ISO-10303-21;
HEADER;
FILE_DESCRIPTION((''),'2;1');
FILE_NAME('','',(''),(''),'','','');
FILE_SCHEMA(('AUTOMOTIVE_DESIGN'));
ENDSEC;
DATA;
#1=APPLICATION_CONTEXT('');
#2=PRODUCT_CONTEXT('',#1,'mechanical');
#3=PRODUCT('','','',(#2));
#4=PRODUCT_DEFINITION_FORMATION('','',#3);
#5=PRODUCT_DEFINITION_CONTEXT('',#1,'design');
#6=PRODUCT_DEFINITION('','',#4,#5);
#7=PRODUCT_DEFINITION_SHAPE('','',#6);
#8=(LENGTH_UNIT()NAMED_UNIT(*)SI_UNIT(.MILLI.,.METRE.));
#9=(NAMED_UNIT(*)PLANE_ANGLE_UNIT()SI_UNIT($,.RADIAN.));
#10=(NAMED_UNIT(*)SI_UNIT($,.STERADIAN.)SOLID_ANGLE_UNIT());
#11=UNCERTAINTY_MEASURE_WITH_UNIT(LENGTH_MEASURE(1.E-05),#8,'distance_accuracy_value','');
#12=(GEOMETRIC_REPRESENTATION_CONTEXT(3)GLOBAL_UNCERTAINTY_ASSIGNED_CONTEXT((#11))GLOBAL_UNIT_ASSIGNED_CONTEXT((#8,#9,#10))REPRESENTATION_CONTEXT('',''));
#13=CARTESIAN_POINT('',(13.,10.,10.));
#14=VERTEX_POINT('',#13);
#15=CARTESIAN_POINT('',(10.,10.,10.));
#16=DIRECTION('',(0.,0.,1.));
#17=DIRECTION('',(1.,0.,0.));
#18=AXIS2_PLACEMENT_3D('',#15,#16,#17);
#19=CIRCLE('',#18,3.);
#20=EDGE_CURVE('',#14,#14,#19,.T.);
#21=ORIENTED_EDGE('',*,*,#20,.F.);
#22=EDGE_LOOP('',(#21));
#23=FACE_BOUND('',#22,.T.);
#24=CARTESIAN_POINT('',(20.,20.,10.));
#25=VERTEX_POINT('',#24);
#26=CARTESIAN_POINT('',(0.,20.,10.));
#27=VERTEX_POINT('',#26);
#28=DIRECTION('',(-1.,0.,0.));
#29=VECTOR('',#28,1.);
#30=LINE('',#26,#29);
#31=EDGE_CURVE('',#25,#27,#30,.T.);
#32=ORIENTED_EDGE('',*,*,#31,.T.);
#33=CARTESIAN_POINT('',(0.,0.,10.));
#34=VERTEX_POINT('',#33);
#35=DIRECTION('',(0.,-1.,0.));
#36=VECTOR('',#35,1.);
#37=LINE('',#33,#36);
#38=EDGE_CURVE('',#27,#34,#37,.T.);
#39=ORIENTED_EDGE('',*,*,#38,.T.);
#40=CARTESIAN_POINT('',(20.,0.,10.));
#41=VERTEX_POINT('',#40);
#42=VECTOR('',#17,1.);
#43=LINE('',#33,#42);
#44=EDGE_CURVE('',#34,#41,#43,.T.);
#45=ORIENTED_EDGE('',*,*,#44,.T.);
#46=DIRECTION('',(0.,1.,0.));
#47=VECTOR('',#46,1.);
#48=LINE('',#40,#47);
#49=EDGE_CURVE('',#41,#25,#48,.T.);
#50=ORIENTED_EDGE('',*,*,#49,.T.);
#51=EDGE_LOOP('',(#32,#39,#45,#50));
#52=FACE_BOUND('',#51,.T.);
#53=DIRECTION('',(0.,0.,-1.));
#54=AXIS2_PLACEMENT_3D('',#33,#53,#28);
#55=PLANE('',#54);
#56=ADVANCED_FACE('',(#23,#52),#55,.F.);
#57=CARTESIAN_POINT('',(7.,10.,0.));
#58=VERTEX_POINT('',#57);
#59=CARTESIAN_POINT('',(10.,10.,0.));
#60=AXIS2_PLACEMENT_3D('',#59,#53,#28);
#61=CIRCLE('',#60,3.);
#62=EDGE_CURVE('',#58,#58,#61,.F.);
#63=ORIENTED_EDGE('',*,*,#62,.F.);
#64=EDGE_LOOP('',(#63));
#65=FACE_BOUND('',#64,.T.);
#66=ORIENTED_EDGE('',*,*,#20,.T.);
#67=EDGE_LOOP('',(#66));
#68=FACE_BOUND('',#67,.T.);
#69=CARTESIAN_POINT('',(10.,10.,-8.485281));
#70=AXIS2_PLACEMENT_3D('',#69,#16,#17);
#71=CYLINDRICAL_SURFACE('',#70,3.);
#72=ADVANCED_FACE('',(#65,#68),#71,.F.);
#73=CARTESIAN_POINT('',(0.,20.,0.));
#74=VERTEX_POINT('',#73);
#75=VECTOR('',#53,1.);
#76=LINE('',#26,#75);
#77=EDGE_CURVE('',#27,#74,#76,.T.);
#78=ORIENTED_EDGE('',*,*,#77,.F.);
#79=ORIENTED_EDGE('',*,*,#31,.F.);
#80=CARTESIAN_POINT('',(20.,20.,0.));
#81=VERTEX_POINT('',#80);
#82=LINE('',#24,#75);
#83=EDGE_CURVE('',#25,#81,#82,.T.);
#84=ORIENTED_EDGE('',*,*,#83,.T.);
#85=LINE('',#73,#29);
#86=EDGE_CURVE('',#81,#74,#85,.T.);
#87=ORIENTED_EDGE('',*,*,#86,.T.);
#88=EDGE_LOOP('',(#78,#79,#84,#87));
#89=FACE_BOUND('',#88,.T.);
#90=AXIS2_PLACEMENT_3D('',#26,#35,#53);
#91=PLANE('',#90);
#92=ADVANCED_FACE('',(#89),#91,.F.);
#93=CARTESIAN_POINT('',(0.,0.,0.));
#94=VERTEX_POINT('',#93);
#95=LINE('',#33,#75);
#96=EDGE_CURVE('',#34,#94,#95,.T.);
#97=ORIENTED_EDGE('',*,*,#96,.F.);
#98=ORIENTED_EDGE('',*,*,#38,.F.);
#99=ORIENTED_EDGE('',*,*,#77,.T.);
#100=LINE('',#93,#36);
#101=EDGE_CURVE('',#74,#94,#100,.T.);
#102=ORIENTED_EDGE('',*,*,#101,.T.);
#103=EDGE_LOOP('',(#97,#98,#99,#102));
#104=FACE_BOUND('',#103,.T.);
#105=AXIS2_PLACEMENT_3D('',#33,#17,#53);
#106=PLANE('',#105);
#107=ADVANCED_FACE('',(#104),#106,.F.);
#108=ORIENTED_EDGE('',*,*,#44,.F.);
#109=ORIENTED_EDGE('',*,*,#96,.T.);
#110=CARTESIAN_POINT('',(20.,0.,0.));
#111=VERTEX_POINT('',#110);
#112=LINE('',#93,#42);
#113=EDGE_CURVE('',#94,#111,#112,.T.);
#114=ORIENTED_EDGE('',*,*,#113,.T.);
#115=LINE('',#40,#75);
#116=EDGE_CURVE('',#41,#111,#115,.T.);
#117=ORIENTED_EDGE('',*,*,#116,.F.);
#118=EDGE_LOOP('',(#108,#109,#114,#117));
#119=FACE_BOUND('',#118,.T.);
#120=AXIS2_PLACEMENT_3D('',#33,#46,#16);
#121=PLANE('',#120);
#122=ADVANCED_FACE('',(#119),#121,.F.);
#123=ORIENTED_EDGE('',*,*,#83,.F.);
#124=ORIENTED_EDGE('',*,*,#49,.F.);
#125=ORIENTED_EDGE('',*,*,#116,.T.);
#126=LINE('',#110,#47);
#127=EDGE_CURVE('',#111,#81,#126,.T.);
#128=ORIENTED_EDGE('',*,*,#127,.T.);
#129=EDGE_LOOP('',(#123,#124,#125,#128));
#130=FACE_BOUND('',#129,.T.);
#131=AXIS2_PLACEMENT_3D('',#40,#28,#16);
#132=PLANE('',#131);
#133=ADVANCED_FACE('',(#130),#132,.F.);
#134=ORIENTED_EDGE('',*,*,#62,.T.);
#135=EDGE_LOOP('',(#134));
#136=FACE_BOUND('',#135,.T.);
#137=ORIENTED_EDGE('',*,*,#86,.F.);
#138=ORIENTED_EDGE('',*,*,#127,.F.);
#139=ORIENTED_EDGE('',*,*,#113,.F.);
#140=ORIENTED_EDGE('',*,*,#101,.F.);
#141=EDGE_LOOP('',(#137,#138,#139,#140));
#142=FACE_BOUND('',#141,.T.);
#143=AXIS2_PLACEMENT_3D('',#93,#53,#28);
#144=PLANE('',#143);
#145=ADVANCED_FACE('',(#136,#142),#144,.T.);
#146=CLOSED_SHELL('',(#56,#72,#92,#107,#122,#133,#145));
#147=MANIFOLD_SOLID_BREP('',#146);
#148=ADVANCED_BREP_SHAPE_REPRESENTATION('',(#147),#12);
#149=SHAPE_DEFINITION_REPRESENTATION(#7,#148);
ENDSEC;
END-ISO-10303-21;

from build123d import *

# Parameters (mm, degrees)
SKETCH_1_W              = 20
SKETCH_1_H              = 20
BASEBOX_DEPTH           = 10
SKETCH_2_R              = 3
UPTOSURFACEMODIFY_DEPTH = 10


with BuildPart() as part:
    # 草图1 → BaseBox (new body)
    with BuildSketch(Plane.XY):
        with Locations((10, 10)):
            Rectangle(SKETCH_1_W, SKETCH_1_H)
    extrude(amount=BASEBOX_DEPTH)

    # 草图2 → UpToSurfaceModify (cut)
    with BuildSketch(Plane.XY.offset(10)):
        with Locations((10, 10)):
            Circle(SKETCH_2_R)
    extrude(amount=-UPTOSURFACEMODIFY_DEPTH, mode=Mode.SUBTRACT)


solid = part.part
